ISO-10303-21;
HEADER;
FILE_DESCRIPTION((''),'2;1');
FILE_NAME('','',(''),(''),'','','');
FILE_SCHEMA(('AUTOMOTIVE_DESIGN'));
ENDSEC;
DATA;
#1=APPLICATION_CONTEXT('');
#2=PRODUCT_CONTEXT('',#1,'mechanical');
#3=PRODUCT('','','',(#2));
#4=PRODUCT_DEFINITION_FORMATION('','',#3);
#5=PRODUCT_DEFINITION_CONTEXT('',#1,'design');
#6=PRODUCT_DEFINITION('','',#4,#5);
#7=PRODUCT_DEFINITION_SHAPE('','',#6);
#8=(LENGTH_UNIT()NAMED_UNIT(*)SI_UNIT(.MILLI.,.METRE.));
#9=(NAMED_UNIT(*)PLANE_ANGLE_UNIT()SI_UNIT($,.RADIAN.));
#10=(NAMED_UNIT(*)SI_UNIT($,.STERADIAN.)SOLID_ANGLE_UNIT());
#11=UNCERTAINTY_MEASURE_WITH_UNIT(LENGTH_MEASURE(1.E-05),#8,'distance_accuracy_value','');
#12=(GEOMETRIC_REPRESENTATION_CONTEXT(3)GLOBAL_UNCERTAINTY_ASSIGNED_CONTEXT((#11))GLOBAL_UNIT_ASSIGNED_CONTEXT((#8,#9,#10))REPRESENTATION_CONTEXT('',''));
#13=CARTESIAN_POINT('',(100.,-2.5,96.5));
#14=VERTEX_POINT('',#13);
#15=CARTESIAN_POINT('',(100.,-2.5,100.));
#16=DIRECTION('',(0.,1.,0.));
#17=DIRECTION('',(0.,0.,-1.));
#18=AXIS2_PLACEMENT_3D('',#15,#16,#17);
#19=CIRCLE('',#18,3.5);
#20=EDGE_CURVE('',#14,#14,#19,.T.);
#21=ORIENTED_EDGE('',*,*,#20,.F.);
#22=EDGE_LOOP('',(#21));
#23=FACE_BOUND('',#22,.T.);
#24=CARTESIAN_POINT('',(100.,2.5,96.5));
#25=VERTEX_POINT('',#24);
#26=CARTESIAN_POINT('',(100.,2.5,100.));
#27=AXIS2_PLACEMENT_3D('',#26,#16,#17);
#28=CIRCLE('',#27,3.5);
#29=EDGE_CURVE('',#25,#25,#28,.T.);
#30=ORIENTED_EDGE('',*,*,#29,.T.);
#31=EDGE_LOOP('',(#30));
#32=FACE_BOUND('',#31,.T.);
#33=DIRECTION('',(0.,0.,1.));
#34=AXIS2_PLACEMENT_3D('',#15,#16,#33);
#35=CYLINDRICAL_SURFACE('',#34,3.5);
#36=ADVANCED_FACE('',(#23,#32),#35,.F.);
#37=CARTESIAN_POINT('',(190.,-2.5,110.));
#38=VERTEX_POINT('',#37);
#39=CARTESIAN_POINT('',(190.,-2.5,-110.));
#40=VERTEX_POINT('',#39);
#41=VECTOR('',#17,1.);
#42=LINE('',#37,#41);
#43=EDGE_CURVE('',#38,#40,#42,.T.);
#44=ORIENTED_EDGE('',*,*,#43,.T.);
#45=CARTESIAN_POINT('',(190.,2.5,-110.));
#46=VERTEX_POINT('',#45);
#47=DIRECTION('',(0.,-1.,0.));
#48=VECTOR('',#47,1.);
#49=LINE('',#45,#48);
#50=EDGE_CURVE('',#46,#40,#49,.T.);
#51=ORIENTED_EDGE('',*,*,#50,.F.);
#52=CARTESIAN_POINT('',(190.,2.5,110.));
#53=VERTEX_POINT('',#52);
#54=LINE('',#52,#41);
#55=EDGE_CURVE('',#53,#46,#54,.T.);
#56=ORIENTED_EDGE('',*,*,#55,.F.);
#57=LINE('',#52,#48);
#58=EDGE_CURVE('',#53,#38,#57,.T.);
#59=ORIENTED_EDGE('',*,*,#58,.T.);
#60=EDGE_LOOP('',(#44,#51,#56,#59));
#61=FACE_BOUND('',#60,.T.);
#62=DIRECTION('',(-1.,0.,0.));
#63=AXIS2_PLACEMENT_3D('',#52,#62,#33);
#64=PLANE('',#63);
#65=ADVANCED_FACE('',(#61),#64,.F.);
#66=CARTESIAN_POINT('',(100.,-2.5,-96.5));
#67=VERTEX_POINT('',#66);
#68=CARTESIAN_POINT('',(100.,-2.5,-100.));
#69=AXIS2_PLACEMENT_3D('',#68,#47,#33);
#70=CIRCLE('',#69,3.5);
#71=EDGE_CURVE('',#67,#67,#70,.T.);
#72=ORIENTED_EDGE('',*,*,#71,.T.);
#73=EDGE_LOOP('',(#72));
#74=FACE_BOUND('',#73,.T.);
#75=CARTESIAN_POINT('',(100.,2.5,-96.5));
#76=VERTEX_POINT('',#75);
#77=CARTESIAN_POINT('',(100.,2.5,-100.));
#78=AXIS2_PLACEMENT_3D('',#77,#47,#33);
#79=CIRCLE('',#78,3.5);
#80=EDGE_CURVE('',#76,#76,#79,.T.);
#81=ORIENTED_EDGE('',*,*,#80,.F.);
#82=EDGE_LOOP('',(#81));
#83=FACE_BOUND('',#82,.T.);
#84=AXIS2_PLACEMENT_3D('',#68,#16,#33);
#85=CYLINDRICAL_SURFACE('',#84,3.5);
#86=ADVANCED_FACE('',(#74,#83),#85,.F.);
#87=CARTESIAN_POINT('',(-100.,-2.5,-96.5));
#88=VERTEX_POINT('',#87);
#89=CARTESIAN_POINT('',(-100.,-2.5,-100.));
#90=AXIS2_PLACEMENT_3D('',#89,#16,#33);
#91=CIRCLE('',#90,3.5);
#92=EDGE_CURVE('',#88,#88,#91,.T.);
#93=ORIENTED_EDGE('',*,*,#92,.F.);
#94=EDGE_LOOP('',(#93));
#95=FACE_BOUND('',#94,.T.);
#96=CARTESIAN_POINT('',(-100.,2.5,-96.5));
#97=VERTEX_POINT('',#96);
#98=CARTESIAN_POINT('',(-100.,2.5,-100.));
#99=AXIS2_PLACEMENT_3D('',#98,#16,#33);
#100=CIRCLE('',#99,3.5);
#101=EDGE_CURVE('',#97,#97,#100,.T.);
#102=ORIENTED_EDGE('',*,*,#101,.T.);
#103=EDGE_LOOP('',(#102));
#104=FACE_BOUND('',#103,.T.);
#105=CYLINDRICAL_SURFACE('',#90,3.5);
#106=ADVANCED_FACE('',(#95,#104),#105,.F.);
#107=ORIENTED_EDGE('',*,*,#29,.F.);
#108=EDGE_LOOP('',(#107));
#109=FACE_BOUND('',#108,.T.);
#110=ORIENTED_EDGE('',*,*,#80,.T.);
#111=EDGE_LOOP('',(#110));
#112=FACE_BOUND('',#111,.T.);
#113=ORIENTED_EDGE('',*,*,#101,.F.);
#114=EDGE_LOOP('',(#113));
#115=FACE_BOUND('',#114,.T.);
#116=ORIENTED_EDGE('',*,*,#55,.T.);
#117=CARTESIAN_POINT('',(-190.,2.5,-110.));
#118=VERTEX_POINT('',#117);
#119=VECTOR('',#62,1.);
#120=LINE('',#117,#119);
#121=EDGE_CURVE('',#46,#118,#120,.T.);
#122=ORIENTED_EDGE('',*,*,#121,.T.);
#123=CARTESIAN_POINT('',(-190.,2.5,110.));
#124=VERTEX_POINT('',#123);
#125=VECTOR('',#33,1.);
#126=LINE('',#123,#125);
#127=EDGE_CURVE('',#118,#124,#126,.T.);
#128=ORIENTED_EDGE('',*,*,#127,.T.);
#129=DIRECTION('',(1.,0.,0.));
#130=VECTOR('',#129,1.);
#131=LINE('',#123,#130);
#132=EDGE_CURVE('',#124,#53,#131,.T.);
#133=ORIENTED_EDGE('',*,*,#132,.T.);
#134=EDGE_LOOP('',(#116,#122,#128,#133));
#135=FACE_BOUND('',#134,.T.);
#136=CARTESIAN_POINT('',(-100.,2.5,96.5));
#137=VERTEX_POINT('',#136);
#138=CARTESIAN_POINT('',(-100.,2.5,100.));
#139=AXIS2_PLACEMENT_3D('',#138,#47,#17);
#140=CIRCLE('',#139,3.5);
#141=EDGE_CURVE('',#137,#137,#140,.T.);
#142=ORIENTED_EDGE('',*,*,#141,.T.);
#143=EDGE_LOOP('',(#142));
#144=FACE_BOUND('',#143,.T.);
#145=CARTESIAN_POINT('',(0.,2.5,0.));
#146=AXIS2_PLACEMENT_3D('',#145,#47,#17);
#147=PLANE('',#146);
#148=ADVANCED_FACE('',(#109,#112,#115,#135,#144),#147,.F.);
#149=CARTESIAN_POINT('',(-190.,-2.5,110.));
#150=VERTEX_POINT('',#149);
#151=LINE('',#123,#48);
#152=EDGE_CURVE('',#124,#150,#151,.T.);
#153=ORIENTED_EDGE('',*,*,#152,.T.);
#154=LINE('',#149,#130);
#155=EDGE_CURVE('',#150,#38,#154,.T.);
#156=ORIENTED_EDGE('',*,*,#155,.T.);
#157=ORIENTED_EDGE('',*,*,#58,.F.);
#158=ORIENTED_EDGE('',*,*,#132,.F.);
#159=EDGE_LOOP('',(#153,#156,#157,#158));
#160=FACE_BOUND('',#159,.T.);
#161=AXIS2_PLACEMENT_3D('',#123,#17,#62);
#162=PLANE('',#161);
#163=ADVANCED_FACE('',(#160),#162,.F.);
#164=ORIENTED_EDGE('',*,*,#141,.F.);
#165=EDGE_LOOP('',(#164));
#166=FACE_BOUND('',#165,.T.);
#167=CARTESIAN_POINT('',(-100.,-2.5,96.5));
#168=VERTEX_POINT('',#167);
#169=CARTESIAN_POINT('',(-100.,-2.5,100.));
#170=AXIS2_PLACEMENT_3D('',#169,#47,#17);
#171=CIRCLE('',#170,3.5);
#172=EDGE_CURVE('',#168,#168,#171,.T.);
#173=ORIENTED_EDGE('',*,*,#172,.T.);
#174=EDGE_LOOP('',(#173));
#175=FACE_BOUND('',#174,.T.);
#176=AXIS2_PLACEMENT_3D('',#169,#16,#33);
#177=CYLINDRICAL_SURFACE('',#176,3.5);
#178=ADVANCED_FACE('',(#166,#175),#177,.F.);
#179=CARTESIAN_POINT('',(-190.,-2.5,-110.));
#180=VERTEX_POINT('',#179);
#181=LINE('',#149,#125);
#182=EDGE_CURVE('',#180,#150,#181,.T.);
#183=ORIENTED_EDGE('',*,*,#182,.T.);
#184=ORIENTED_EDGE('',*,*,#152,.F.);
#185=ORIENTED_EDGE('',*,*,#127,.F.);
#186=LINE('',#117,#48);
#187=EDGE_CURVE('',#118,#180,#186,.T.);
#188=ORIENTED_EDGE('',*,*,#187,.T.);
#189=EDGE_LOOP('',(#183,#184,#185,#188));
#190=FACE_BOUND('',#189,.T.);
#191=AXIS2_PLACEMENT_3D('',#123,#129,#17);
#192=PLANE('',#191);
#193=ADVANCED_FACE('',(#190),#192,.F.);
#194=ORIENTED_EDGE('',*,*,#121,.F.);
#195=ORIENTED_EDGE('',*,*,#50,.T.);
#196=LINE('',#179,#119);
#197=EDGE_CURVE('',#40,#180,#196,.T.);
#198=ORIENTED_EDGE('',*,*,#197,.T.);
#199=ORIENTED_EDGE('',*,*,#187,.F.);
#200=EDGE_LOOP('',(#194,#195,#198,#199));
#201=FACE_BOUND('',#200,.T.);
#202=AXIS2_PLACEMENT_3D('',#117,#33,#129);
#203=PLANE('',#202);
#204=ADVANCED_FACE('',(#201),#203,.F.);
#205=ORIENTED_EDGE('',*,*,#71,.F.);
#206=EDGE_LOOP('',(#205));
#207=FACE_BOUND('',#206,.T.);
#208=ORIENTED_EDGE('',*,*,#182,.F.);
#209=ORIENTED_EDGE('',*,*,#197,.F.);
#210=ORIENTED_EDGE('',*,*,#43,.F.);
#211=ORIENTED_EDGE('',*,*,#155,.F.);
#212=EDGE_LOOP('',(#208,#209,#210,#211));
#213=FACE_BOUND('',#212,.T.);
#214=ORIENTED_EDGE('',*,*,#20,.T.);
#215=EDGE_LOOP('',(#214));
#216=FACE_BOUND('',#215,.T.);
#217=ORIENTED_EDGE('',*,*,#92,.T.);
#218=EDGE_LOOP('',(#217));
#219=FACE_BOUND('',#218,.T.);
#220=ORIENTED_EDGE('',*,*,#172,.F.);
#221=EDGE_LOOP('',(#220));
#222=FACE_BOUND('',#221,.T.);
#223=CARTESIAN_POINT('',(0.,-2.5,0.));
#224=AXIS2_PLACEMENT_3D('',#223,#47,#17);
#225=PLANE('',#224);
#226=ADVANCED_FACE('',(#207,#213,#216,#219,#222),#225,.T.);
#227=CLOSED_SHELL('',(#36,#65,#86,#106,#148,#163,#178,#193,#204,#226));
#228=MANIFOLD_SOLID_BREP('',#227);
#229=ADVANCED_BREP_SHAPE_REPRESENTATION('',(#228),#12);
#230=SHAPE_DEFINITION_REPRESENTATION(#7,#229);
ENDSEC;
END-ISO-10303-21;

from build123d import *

# Parameters (mm, degrees)
SKETCH1_W               = 380
SKETCH1_H               = 220
BOSS_EXTRUDE1_DEPTH     = 2.5
SKETCH4_R               = 3.5
CUT_EXTRUDE1_DEPTH      = 5
MIRROR4_COPY_1_SKETCH_R = 3.5
MIRROR4_COPY_1_DEPTH    = 5


with BuildPart() as part:
    # Sketch1 → Boss-Extrude1 (new, symmetric)
    with BuildSketch(Plane(origin=(0, 0, 0), x_dir=(1, 0, 0), z_dir=(0, 1, 0))):
        Rectangle(SKETCH1_W, SKETCH1_H)
    extrude(amount=BOSS_EXTRUDE1_DEPTH, both=True)

    # Sketch4 → Cut-Extrude1 (cut)
    with BuildSketch(Plane(origin=(0, 2.5, 0), x_dir=(1, 0, 0), z_dir=(0, 1, 0))):
        with Locations(Location((-100, 100, 0), (0, 0, 270))):
            Circle(SKETCH4_R)
    cut_extrude1 = extrude(amount=-CUT_EXTRUDE1_DEPTH, mode=Mode.SUBTRACT)

    # Mirror3: Cut-Extrude1 across plane
    add(cut_extrude1.mirror(Plane(origin=(0, 0, 0), x_dir=(0, 0, 1), z_dir=(1, 0, 0))), mode=Mode.SUBTRACT)

    # Mirror4: Cut-Extrude1 across plane
    add(cut_extrude1.mirror(Plane.XY), mode=Mode.SUBTRACT)

    # Mirror4 copy 1 sketch → Mirror4 copy 1 (cut)
    with BuildSketch(Plane(origin=(0, 2.5, 0), x_dir=(-1, 0, 0), z_dir=(0, 1, 0))):
        with Locations(Location((-100, 100, 0), (0, 0, 270))):
            Circle(MIRROR4_COPY_1_SKETCH_R)
    extrude(amount=-MIRROR4_COPY_1_DEPTH, mode=Mode.SUBTRACT)


solid = part.part
